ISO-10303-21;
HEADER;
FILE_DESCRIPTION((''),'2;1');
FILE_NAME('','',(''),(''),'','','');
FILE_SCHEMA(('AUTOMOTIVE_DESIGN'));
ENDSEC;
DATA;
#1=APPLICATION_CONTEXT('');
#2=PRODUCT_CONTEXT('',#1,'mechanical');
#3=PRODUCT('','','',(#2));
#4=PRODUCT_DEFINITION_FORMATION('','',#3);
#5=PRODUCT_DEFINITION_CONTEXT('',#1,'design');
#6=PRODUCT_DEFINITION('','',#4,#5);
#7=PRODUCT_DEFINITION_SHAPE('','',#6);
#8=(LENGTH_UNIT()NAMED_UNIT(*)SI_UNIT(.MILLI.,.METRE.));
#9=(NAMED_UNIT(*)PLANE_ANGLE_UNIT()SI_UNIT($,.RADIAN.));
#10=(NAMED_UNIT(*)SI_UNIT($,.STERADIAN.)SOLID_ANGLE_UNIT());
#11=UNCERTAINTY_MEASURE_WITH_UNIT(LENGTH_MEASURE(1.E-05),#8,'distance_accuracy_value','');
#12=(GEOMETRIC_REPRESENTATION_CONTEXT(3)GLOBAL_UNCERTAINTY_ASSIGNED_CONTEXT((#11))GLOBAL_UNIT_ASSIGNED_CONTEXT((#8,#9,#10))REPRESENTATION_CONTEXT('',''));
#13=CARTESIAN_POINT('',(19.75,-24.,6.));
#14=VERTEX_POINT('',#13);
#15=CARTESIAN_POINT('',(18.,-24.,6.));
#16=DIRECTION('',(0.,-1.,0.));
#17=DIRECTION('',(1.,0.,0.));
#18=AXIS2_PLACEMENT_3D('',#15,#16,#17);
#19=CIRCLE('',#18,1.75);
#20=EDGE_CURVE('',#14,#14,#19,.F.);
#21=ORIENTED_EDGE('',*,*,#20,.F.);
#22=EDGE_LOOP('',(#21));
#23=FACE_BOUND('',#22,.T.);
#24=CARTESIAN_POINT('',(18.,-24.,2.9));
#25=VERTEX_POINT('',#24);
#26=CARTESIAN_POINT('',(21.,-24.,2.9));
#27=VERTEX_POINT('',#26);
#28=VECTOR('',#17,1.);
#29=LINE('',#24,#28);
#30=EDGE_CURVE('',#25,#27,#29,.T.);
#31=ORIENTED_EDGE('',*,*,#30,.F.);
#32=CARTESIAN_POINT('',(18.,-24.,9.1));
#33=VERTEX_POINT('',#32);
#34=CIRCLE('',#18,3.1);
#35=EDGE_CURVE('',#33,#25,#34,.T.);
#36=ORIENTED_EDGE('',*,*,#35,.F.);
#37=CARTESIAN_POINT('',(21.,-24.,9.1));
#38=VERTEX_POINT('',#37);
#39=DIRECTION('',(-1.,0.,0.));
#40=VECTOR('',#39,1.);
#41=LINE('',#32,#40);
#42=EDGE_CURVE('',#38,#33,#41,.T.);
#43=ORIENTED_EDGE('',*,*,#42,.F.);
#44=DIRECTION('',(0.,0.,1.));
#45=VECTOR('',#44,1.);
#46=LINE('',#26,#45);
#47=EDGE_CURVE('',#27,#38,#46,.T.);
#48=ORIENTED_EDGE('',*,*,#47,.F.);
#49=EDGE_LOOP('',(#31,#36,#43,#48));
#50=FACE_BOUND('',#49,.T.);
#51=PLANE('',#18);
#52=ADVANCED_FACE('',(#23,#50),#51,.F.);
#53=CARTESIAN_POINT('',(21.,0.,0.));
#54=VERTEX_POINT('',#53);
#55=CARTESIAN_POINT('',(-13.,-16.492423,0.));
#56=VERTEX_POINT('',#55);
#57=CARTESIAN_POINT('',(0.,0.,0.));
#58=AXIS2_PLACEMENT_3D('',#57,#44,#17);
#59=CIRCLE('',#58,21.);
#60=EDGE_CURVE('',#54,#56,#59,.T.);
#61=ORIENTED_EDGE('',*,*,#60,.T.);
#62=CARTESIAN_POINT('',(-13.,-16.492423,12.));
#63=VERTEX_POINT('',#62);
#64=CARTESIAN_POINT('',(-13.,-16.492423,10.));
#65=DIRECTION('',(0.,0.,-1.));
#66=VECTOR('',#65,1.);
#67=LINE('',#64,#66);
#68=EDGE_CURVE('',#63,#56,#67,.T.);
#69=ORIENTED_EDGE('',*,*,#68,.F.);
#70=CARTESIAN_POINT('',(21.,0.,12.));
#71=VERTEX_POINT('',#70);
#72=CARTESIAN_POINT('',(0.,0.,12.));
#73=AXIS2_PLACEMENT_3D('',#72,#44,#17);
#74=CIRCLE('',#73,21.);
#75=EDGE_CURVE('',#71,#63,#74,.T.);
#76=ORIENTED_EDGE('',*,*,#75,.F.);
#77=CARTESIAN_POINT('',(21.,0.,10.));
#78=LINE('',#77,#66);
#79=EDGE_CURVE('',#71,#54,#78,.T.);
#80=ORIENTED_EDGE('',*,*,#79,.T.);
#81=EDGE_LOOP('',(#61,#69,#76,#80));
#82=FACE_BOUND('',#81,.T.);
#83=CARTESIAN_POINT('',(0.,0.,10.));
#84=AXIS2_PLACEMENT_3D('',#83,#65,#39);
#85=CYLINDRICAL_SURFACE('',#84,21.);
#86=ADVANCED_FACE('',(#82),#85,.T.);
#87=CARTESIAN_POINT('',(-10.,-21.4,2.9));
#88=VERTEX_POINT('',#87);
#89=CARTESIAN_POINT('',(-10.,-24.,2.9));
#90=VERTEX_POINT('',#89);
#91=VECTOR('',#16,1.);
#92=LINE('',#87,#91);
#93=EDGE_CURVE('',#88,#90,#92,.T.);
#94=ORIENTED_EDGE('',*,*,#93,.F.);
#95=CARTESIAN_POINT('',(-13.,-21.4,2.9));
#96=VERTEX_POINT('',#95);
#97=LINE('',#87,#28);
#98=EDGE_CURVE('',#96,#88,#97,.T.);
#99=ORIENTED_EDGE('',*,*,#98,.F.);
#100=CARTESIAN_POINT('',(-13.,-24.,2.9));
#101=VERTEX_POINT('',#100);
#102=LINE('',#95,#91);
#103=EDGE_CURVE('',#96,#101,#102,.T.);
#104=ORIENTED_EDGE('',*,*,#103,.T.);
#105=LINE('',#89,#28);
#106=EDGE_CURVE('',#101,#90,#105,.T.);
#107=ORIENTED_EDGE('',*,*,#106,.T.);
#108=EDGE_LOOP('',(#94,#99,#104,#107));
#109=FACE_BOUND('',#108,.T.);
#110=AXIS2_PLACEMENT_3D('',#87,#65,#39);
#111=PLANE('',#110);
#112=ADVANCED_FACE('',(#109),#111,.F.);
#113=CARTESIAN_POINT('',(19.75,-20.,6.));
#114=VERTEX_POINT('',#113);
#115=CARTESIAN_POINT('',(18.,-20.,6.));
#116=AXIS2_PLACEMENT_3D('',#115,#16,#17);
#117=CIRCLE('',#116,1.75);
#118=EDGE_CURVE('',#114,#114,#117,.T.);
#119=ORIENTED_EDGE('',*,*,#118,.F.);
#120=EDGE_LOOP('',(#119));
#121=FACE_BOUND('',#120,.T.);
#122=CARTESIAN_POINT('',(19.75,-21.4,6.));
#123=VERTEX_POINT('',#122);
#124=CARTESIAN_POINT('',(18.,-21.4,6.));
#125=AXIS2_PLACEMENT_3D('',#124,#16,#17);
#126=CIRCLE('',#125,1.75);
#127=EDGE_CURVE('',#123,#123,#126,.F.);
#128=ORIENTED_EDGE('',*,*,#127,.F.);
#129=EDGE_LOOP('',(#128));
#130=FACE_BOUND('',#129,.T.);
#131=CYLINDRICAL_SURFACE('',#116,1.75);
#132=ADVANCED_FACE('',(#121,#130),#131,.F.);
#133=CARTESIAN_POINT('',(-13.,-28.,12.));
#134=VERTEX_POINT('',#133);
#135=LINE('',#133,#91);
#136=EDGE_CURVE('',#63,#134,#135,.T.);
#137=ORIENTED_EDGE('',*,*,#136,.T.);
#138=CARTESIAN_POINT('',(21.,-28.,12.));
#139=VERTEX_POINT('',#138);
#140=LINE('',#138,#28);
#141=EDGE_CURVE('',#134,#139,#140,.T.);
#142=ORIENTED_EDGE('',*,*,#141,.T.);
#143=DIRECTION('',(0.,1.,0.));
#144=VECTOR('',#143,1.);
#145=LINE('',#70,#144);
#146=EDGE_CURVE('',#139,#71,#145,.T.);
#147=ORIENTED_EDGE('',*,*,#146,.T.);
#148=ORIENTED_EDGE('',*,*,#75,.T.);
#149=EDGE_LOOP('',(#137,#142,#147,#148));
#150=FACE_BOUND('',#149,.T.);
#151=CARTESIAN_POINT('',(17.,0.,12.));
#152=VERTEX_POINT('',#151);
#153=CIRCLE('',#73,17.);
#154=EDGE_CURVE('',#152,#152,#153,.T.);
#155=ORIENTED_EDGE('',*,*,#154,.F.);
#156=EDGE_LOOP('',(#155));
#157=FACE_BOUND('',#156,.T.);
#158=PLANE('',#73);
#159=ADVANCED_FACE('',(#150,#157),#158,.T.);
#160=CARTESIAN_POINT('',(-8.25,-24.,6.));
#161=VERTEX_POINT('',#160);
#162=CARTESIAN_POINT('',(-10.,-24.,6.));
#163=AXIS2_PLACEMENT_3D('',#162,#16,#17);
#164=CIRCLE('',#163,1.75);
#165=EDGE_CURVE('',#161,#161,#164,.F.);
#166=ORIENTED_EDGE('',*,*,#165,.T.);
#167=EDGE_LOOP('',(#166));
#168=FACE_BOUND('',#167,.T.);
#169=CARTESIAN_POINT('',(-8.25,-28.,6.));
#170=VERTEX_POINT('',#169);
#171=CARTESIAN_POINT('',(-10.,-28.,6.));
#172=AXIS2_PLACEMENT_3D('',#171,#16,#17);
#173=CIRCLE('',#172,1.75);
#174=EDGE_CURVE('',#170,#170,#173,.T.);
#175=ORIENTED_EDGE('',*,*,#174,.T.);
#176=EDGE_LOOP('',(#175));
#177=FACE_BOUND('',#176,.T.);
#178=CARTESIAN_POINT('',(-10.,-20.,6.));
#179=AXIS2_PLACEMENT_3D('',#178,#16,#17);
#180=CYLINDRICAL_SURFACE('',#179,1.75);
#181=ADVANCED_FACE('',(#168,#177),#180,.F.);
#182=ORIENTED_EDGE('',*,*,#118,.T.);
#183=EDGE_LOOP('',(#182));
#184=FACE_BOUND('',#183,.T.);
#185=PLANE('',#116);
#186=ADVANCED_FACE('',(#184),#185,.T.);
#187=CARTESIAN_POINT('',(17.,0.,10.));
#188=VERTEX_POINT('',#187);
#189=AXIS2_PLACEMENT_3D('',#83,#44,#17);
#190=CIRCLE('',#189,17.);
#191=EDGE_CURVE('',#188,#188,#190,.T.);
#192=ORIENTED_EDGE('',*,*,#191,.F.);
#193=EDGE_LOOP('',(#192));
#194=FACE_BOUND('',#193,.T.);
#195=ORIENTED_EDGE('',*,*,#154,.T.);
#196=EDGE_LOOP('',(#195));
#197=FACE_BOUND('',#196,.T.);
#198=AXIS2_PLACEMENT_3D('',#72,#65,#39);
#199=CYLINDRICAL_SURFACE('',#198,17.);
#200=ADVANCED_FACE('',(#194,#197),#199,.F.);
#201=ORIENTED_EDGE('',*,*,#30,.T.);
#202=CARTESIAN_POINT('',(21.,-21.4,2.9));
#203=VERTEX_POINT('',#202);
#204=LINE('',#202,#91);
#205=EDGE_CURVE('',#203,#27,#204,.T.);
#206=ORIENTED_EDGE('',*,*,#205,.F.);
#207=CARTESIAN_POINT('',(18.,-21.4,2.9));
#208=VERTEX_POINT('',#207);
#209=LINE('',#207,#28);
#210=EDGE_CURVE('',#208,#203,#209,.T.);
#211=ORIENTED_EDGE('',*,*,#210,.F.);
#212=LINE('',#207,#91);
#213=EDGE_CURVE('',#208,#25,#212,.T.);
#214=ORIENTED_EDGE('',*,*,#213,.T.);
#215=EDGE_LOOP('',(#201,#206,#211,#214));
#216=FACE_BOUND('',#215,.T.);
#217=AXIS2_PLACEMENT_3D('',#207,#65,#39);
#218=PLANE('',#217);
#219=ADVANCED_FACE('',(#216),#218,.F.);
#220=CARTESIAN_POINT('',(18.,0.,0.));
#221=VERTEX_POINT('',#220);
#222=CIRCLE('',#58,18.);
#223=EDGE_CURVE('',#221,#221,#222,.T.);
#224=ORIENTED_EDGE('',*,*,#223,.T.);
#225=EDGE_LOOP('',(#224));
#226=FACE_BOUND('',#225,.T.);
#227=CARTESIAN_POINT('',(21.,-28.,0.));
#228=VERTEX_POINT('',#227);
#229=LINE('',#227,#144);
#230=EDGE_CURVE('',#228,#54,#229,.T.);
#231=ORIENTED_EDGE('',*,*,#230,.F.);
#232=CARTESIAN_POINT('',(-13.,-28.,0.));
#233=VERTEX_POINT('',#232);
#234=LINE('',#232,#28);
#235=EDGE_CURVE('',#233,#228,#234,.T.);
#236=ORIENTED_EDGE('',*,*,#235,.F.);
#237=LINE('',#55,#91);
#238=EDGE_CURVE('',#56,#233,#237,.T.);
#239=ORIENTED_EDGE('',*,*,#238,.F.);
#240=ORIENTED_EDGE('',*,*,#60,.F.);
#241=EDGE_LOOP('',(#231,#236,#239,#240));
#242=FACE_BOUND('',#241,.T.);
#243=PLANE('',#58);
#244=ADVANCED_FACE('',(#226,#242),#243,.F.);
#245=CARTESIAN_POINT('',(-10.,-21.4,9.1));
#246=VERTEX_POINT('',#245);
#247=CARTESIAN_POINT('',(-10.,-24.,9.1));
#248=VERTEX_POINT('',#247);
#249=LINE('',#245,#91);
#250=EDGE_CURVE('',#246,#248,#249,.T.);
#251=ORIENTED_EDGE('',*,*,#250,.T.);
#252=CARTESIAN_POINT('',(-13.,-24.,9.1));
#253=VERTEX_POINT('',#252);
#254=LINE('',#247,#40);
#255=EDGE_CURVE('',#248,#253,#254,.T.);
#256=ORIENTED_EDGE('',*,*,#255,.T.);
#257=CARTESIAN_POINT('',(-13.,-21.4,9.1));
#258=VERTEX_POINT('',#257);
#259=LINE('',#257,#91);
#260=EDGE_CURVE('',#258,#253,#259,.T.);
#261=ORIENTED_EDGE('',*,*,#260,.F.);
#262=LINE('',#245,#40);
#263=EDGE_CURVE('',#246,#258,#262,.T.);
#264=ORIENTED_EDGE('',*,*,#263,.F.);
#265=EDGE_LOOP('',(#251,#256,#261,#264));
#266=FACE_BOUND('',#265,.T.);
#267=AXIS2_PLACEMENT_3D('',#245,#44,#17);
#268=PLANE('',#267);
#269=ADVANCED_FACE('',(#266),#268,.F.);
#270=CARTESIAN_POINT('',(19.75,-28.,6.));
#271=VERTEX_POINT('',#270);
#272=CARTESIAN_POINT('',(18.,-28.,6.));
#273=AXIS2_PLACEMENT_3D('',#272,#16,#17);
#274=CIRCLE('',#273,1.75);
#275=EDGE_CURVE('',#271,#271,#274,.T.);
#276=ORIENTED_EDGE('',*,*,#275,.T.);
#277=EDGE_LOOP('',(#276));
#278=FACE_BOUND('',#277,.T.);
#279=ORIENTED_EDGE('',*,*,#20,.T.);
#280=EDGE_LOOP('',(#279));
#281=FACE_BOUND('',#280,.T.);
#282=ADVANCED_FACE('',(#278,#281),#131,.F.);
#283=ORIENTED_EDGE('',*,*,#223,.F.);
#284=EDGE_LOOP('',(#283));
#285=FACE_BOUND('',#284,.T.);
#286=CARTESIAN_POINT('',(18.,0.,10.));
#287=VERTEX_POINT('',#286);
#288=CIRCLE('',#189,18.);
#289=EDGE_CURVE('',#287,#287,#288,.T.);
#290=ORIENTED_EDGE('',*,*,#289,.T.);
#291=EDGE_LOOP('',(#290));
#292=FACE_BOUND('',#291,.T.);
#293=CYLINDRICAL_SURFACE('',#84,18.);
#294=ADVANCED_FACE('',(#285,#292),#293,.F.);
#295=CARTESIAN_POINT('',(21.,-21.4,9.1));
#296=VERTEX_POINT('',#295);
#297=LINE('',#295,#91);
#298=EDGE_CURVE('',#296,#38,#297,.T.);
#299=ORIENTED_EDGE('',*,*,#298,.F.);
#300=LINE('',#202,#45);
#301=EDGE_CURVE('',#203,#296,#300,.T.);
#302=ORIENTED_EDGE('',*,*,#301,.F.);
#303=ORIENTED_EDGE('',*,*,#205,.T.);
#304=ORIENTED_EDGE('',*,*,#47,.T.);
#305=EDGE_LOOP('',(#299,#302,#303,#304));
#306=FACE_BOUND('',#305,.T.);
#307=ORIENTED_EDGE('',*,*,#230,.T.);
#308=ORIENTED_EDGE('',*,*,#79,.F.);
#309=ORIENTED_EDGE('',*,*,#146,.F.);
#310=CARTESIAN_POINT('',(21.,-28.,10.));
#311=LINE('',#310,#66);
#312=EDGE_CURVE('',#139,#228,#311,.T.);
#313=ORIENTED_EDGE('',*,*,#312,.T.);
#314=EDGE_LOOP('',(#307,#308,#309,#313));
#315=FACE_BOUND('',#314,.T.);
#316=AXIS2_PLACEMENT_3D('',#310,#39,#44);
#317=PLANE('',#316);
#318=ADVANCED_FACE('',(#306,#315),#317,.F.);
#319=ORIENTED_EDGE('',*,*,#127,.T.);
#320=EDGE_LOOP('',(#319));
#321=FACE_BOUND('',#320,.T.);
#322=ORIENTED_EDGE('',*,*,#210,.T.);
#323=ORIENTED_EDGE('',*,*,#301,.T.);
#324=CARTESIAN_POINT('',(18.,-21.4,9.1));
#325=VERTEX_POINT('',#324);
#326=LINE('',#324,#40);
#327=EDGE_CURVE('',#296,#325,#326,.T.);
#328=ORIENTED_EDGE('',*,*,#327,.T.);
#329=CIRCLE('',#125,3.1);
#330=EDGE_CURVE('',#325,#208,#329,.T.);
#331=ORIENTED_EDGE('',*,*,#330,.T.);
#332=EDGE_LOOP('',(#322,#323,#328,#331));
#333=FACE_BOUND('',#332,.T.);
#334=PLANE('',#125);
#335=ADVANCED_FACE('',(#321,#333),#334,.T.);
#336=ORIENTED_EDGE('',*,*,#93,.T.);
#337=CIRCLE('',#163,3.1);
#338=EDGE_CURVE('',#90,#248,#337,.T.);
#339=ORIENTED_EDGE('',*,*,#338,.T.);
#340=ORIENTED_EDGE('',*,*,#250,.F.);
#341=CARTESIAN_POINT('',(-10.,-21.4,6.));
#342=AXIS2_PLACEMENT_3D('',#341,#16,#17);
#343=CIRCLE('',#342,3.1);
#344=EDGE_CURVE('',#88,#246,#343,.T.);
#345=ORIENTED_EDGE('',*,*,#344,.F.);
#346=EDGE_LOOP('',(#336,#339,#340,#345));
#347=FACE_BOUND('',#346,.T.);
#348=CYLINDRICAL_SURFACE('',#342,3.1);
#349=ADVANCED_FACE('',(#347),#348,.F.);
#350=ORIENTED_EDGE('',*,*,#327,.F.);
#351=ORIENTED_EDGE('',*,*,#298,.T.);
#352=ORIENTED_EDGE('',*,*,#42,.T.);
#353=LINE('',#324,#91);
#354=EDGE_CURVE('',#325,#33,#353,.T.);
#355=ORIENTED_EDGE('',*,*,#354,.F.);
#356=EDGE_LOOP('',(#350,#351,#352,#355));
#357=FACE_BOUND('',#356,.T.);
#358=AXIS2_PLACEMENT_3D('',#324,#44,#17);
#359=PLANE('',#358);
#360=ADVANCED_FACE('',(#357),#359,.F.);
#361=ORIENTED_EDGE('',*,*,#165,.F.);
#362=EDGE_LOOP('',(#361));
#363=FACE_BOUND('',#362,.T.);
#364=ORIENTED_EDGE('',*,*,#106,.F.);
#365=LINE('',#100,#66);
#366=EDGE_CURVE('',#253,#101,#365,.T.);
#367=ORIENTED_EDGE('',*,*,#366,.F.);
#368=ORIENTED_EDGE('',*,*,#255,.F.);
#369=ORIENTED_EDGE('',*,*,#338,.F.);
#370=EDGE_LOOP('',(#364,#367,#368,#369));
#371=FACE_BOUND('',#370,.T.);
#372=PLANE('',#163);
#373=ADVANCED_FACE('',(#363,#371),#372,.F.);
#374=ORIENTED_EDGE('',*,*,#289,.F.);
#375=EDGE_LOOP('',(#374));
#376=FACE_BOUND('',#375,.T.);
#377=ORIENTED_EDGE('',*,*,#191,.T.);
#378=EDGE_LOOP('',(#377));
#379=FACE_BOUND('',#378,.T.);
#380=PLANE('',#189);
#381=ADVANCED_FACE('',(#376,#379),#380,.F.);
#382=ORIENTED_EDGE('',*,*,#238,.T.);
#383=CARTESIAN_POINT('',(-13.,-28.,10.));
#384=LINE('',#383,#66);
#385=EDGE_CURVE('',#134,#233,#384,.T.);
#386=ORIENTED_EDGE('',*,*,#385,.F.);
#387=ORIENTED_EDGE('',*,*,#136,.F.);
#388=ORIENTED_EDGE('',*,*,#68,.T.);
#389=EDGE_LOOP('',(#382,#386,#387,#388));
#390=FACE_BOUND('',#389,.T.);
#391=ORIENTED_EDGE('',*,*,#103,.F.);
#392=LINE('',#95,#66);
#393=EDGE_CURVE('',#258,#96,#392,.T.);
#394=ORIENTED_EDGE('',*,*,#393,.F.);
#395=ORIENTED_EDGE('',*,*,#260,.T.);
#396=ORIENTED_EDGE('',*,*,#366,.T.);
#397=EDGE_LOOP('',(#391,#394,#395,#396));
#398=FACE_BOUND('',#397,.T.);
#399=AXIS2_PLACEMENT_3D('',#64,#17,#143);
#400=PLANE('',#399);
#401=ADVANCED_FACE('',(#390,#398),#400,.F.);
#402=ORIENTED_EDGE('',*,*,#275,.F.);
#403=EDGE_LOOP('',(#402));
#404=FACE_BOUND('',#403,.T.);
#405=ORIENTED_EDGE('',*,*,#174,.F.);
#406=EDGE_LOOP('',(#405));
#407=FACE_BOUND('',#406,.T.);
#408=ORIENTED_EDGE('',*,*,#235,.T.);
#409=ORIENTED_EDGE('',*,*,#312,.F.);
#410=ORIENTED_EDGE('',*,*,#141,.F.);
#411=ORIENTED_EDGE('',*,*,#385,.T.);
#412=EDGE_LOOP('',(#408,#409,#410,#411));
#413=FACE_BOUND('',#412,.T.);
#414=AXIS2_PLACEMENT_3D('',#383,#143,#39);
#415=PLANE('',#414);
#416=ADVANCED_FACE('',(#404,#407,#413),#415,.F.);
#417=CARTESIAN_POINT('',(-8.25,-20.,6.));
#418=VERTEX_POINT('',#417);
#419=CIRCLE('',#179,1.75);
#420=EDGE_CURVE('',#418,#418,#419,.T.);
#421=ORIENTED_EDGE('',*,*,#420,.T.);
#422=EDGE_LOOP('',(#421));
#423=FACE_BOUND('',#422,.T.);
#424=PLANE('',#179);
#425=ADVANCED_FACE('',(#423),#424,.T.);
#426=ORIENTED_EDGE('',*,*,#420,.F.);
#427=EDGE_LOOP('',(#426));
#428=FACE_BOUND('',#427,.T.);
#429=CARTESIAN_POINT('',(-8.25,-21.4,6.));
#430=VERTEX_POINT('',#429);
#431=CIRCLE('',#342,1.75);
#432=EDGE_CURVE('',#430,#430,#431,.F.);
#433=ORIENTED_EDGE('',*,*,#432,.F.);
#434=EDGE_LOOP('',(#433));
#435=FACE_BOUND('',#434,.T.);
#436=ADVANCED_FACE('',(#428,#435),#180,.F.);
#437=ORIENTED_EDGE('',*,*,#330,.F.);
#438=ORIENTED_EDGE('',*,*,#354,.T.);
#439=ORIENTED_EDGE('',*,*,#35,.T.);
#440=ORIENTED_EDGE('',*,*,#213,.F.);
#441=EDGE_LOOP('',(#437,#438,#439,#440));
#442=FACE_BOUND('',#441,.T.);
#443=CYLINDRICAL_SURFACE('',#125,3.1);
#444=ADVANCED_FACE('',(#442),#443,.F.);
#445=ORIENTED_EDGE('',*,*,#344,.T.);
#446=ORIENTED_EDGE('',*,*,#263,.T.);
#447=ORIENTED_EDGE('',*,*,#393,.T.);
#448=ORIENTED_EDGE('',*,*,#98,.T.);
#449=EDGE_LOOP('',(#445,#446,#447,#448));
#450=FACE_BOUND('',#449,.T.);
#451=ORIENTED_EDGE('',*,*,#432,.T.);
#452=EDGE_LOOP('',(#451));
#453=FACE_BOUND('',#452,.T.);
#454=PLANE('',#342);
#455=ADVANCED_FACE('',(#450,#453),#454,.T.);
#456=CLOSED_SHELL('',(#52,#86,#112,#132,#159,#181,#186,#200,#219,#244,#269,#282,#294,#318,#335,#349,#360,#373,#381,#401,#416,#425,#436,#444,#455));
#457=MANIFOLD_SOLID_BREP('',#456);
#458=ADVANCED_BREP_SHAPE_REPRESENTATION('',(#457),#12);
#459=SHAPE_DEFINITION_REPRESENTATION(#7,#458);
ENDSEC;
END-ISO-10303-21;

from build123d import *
from build123d.topology import SkipClean

# Parameters (mm, degrees)
CROQUIS1_R              = 18
SALIENTE_EXTRUIR1_DEPTH = 10
CROQUIS2_R              = 17
SALIENTE_EXTRUIR2_DEPTH = 2
CROQUIS7_R              = 1.75
CORTAR_EXTRUIR3_DEPTH   = 8
CORTAR_EXTRUIR4_DEPTH   = 2.6


with BuildPart() as part:
    # Croquis1 → Saliente-Extruir1 (new body)
    with BuildSketch(Plane.XY):
        with BuildLine():
            Line((-13, -28), (21, -28))
            Line((21, -28), (21, 0))
            ThreePointArc((21, 0), (-9.16515139, 18.894443628), (-13, -16.492422502))
            Line((-13, -16.492422502), (-13, -28))
        make_face()
        Circle(CROQUIS1_R, mode=Mode.SUBTRACT)
    extrude(amount=SALIENTE_EXTRUIR1_DEPTH)

    # Croquis2 → Saliente-Extruir2 (add)
    with SkipClean():  # the faces are left unmerged after this step: merging them gives an invalid solid
        with BuildSketch(Plane.XY.offset(10)):
            with BuildLine():
                Line((21, 0), (21, -28))
                Line((21, -28), (-13, -28))
                Line((-13, -28), (-13, -16.492422502))
                ThreePointArc((-13, -16.492422502), (-9.16515139, 18.894443628), (21, 0))
            make_face()
            Circle(CROQUIS2_R, mode=Mode.SUBTRACT)
        extrude(amount=SALIENTE_EXTRUIR2_DEPTH)

    # Croquis7 → Cortar-Extruir3 (cut)
    with SkipClean():  # the faces are left unmerged after this step: merging them gives an invalid solid
        with BuildSketch(Plane.XZ.offset(28)):
            with Locations((-10, 6)):
                Circle(CROQUIS7_R)
            with Locations((18, 6)):
                Circle(CROQUIS7_R)
        extrude(amount=-CORTAR_EXTRUIR3_DEPTH, mode=Mode.SUBTRACT)

    # Croquis8 → Cortar-Extruir4 (cut)
    with SkipClean():  # the faces are left unmerged after this step: merging them gives an invalid solid
        with BuildSketch(Plane(origin=(0, -24, 0), x_dir=(-1, 0, 0), z_dir=(0, -1, 0))):
            with BuildLine():
                Line((-18, -2.9), (-21, -2.9))
                Line((-21, -2.9), (-21, -9.1))
                Line((-21, -9.1), (-18, -9.1))
                ThreePointArc((-18, -9.1), (-14.9, -6), (-18, -2.9))
            make_face()
            with BuildLine():
                Line((10, -2.9), (13, -2.9))
                Line((13, -2.9), (13, -9.1))
                Line((13, -9.1), (10, -9.1))
                ThreePointArc((10, -9.1), (6.9, -6), (10, -2.9))
            make_face()
        extrude(amount=-CORTAR_EXTRUIR4_DEPTH, mode=Mode.SUBTRACT)


solid = part.part
